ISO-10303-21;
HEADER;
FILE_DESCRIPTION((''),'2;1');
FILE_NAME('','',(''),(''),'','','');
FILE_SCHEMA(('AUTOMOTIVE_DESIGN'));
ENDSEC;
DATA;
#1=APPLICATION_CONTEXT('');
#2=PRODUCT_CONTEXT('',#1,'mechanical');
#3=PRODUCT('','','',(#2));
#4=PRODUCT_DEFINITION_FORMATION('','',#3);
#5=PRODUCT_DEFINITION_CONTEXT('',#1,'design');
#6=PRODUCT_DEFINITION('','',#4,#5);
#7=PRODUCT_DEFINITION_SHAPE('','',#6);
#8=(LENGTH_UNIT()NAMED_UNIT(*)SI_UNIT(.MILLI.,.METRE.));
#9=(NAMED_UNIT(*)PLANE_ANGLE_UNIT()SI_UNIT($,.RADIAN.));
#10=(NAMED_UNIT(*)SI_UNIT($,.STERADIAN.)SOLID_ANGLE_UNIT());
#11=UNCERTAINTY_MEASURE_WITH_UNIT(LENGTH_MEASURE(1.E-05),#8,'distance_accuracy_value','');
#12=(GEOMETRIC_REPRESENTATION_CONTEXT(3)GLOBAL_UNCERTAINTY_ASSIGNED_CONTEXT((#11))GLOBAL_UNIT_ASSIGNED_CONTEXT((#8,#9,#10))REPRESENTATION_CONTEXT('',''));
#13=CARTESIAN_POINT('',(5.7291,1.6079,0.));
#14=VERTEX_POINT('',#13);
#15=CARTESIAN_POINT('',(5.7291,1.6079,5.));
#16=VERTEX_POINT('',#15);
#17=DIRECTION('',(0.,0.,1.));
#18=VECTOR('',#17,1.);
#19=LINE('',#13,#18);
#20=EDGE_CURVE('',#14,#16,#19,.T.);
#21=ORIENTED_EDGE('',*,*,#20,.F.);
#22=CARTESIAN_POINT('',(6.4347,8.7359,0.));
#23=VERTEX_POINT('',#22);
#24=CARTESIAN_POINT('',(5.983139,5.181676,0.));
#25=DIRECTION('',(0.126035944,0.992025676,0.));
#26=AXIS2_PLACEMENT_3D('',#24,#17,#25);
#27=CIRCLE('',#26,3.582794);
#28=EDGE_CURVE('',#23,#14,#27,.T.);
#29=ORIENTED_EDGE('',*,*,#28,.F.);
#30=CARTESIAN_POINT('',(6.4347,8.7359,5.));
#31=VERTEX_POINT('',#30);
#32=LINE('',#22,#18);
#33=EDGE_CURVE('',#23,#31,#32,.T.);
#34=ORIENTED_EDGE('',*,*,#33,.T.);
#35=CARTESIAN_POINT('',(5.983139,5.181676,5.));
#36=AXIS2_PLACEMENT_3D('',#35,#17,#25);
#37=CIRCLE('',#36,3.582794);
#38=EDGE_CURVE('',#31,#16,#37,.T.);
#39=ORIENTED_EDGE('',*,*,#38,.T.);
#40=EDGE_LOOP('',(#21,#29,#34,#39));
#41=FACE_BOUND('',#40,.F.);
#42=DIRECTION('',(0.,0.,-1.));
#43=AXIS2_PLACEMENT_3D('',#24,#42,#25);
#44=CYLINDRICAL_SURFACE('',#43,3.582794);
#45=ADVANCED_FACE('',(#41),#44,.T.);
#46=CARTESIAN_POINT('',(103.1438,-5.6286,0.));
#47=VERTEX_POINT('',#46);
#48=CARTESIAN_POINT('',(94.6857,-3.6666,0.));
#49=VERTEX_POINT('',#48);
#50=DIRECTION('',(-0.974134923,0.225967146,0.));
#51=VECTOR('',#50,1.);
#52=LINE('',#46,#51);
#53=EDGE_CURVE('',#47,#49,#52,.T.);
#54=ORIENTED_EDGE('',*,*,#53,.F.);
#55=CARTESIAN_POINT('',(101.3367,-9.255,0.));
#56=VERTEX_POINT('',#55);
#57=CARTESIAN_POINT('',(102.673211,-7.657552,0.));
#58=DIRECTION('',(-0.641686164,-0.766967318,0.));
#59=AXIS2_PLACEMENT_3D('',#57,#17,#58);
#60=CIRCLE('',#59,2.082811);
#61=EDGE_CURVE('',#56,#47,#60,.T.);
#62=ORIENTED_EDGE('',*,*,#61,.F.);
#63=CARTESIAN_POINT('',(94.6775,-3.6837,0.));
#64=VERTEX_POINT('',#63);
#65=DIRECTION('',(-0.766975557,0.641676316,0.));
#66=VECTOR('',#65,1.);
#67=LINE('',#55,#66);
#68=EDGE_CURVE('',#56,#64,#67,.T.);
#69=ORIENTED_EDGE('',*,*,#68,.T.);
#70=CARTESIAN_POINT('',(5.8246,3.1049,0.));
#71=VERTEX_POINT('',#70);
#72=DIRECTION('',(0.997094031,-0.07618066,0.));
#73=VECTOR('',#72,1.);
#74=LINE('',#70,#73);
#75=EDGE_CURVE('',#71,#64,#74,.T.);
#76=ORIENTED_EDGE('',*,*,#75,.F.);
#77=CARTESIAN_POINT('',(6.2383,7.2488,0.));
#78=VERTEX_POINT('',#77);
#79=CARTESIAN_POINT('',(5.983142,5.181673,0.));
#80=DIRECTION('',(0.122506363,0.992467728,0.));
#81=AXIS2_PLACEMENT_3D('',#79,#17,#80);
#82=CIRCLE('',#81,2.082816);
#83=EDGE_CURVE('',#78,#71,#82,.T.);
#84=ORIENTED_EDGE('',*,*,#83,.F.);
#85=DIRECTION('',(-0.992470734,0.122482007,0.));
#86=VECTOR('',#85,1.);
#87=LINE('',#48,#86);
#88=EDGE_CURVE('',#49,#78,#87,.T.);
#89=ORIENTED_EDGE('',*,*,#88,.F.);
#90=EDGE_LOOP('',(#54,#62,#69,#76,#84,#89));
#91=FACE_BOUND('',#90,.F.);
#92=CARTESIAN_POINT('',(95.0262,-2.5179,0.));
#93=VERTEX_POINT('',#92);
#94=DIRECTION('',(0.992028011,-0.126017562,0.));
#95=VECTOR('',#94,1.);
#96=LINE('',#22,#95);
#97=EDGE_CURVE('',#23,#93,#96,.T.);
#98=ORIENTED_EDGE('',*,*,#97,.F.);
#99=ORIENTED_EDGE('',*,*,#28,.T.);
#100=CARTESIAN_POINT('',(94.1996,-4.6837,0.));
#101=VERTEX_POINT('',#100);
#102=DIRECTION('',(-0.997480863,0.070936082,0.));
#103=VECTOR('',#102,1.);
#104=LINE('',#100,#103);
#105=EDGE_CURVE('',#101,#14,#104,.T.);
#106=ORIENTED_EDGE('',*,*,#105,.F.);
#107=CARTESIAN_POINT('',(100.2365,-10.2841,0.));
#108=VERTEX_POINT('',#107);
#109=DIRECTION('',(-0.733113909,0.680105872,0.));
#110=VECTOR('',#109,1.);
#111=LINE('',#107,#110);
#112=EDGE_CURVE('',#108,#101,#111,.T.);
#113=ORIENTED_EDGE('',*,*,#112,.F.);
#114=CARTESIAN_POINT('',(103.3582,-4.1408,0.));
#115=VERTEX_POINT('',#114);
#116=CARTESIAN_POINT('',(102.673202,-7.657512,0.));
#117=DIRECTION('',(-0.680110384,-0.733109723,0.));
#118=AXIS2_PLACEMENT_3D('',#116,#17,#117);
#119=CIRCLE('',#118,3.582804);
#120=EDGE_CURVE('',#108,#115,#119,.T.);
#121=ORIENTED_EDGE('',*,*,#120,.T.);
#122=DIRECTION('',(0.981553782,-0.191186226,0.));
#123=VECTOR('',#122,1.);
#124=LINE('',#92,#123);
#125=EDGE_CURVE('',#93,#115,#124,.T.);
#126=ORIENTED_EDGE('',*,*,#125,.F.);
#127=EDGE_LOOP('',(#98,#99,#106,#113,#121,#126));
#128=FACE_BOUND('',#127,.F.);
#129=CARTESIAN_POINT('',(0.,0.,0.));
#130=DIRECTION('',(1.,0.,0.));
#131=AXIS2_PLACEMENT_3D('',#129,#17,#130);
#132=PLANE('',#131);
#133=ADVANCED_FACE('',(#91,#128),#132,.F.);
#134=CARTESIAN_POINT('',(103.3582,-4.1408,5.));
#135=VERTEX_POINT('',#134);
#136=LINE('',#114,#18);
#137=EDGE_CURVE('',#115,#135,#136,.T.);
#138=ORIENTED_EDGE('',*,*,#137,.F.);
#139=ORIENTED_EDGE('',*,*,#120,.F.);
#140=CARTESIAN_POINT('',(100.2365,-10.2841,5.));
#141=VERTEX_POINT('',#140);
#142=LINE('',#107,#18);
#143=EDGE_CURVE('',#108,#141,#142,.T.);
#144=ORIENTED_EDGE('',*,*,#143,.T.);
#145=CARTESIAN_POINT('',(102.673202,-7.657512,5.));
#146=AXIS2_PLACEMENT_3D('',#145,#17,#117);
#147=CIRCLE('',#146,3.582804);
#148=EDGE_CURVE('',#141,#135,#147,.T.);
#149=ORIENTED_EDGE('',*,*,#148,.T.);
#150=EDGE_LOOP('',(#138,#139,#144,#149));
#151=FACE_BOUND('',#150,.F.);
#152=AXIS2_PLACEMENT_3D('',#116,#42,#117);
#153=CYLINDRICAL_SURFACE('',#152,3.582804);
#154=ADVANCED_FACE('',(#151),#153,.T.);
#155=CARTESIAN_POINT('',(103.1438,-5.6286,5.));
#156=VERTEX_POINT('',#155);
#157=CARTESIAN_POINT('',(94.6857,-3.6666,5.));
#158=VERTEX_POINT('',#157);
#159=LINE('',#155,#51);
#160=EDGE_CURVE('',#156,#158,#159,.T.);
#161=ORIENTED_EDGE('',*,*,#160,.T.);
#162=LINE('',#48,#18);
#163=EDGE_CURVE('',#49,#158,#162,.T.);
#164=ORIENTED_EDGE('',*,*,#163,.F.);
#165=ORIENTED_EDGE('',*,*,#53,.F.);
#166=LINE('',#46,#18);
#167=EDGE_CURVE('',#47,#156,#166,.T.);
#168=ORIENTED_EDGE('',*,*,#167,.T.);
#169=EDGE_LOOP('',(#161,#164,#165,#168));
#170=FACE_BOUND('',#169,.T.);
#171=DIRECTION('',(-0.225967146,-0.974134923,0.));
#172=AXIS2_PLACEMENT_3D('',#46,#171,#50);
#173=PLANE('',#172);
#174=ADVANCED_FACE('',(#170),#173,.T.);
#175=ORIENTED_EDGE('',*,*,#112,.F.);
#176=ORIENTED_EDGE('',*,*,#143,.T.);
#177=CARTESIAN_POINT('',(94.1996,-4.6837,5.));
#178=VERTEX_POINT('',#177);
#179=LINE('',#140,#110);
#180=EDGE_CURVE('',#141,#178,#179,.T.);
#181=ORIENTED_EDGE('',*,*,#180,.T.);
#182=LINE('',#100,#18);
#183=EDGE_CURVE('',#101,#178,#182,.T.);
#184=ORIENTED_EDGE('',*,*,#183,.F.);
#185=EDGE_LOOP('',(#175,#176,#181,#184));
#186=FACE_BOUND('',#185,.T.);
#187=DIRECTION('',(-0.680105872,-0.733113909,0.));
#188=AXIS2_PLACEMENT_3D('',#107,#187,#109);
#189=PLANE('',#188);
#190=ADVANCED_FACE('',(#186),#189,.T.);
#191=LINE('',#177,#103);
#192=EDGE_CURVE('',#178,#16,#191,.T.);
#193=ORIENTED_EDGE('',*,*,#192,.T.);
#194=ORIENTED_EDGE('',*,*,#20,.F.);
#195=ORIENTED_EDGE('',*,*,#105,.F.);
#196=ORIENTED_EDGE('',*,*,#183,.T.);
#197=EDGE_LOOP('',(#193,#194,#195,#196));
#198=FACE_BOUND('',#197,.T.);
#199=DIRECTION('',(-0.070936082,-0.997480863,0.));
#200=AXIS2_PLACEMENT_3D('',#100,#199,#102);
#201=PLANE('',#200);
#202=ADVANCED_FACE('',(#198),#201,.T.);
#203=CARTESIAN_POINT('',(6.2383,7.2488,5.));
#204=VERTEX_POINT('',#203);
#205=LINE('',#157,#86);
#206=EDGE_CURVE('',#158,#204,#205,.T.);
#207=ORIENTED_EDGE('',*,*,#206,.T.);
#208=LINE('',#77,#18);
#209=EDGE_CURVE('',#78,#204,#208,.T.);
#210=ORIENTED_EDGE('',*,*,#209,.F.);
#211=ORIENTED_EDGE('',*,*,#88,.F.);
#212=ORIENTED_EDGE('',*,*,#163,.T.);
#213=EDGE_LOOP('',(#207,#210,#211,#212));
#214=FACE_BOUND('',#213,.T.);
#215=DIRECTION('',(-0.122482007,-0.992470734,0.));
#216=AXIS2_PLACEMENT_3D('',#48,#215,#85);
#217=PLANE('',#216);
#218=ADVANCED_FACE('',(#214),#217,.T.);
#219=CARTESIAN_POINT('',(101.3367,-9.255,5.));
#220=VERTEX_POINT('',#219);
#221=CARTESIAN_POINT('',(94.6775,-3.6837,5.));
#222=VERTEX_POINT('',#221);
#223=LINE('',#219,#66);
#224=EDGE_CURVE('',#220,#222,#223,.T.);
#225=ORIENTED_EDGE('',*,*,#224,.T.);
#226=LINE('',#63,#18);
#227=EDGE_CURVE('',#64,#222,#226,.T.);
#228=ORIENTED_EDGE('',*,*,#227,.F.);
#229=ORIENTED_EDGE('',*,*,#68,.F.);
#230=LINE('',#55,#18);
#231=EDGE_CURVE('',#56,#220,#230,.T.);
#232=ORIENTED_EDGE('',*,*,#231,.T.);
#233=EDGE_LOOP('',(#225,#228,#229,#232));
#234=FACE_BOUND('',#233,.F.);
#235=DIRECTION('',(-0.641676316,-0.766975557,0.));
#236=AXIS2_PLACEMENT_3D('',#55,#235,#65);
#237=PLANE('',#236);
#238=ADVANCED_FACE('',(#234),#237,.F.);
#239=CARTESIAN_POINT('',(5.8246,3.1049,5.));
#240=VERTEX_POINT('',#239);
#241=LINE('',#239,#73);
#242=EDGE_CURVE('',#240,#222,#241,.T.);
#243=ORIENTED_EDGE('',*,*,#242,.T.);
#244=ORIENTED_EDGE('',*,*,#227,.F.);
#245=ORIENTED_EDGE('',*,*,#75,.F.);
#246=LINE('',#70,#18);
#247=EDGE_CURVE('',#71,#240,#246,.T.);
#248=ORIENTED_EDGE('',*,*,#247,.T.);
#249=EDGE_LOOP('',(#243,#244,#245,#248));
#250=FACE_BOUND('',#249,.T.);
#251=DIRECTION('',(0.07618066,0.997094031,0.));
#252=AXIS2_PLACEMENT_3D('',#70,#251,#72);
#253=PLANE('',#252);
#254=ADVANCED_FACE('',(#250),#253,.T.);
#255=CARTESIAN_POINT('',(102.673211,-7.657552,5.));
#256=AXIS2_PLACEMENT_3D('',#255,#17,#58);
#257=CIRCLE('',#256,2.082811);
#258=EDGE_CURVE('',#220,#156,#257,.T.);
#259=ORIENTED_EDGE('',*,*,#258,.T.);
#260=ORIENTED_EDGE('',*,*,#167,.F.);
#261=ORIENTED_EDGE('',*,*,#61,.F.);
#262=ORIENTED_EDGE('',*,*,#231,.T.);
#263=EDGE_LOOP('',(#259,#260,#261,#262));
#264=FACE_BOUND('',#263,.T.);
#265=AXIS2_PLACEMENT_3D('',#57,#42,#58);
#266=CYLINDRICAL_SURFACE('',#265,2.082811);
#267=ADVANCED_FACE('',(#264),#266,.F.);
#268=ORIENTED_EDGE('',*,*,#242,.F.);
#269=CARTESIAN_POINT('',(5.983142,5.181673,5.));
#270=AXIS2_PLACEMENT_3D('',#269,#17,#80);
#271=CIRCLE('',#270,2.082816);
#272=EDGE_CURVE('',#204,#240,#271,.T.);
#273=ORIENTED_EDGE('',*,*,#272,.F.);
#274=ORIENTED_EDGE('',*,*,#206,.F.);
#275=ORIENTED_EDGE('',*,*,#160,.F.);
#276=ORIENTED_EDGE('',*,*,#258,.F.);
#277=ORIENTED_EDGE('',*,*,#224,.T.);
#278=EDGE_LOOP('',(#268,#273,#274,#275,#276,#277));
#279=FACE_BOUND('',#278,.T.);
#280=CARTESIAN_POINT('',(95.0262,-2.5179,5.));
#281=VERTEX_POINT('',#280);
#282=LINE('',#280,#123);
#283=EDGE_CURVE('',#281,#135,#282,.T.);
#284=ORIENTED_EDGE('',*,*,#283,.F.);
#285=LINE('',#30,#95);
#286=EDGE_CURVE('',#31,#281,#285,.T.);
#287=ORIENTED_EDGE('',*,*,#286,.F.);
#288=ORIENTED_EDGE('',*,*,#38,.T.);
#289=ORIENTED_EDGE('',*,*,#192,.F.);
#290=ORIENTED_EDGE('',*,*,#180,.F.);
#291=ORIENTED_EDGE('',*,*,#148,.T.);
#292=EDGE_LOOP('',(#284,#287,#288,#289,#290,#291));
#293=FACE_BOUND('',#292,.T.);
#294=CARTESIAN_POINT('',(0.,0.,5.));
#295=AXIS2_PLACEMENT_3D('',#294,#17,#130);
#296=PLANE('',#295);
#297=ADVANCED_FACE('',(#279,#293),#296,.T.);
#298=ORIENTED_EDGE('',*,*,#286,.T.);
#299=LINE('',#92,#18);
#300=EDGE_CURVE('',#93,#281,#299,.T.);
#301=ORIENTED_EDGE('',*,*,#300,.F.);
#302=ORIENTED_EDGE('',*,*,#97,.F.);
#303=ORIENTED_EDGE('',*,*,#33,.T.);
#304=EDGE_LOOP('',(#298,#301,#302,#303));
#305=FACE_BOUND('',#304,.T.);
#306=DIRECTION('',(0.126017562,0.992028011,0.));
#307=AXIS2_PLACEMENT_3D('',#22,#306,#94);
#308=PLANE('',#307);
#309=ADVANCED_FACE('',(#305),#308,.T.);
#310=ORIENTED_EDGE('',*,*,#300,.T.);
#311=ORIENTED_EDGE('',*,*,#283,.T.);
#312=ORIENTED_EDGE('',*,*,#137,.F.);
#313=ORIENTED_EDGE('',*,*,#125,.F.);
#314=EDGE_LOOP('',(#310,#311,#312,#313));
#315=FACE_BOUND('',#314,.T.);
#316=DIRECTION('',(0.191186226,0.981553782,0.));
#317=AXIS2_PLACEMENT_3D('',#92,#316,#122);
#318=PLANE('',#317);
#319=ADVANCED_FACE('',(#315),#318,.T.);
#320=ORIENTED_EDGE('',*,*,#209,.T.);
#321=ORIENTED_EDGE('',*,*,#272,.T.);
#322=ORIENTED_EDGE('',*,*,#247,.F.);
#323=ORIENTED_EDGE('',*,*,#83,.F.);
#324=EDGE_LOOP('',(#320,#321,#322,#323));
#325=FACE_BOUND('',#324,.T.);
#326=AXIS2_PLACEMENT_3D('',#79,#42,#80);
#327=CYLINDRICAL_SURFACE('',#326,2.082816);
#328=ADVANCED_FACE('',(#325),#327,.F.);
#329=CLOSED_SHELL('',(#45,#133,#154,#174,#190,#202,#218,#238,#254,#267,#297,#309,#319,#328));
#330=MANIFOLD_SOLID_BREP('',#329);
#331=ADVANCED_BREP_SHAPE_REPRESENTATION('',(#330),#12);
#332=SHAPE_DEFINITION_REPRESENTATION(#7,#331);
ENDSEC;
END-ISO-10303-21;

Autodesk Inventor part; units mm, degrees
ref_plane "YZ Plane" through (0, 0, 0) normal (1, 0, 0) x (0, 1, 0)
ref_plane "XZ Plane" through (0, 0, 0) normal (0, 1, 0) x (-1, 0, 0)
ref_plane "XY Plane" through (0, 0, 0) normal (0, 0, 1) x (1, 0, 0)
sketch "Sketch1" plane through (0, 0, 0) normal (0, 0, 1) x (1, 0, 0)
  circle A0 centre (5.9832, 5.1816) radius 4.191 construction
  line L0 (94.1996, -4.6837) -> (92.7687, -5.3712) construction
  circle A1 centre (102.6732, -7.6575) radius 2.1844 construction
  arc A2 (101.3367, -9.255) -> (103.1438, -5.6286) centre (102.6732, -7.6575) ccw
  arc A3 (6.2383, 7.2488) -> (5.8246, 3.1049) centre (5.9832, 5.1816) ccw
  arc A4 (6.4347, 8.7359) -> (5.7291, 1.6079) centre (5.9832, 5.1816) ccw
  arc A5 (100.2365, -10.2841) -> (103.3582, -4.1408) centre (102.6732, -7.6575) ccw
  line L1 (100.2365, -10.2841) -> (94.1996, -4.6837)
  line L2 (101.3367, -9.255) -> (94.6775, -3.6837)
  line L3 (5.8246, 3.1049) -> (94.6775, -3.6837)
  line L4 (94.1996, -4.6837) -> (5.7291, 1.6079)
  line L5 (103.1438, -5.6286) -> (94.6857, -3.6666)
  line L6 (94.6857, -3.6666) -> (6.2383, 7.2488)
  line L7 (6.4347, 8.7359) -> (95.0262, -2.5179)
  line L8 (95.0262, -2.5179) -> (103.3582, -4.1408)
  line L9 (94.1996, -4.6837) -> (94.6775, -3.6837) construction
  point P0 (0, 0)
  dimension "d0" = 4.1656
  dimension "d1" = 4.1656
  dimension "d2" = 1.5
  dimension "d3" = 1.5
  dimension "d4" = 1
  dimension "d5" = 2.666
extrude "Extrusion1" add sketch "Sketch1" along normal blind 5
properties part number "Angel Changer left band up"
